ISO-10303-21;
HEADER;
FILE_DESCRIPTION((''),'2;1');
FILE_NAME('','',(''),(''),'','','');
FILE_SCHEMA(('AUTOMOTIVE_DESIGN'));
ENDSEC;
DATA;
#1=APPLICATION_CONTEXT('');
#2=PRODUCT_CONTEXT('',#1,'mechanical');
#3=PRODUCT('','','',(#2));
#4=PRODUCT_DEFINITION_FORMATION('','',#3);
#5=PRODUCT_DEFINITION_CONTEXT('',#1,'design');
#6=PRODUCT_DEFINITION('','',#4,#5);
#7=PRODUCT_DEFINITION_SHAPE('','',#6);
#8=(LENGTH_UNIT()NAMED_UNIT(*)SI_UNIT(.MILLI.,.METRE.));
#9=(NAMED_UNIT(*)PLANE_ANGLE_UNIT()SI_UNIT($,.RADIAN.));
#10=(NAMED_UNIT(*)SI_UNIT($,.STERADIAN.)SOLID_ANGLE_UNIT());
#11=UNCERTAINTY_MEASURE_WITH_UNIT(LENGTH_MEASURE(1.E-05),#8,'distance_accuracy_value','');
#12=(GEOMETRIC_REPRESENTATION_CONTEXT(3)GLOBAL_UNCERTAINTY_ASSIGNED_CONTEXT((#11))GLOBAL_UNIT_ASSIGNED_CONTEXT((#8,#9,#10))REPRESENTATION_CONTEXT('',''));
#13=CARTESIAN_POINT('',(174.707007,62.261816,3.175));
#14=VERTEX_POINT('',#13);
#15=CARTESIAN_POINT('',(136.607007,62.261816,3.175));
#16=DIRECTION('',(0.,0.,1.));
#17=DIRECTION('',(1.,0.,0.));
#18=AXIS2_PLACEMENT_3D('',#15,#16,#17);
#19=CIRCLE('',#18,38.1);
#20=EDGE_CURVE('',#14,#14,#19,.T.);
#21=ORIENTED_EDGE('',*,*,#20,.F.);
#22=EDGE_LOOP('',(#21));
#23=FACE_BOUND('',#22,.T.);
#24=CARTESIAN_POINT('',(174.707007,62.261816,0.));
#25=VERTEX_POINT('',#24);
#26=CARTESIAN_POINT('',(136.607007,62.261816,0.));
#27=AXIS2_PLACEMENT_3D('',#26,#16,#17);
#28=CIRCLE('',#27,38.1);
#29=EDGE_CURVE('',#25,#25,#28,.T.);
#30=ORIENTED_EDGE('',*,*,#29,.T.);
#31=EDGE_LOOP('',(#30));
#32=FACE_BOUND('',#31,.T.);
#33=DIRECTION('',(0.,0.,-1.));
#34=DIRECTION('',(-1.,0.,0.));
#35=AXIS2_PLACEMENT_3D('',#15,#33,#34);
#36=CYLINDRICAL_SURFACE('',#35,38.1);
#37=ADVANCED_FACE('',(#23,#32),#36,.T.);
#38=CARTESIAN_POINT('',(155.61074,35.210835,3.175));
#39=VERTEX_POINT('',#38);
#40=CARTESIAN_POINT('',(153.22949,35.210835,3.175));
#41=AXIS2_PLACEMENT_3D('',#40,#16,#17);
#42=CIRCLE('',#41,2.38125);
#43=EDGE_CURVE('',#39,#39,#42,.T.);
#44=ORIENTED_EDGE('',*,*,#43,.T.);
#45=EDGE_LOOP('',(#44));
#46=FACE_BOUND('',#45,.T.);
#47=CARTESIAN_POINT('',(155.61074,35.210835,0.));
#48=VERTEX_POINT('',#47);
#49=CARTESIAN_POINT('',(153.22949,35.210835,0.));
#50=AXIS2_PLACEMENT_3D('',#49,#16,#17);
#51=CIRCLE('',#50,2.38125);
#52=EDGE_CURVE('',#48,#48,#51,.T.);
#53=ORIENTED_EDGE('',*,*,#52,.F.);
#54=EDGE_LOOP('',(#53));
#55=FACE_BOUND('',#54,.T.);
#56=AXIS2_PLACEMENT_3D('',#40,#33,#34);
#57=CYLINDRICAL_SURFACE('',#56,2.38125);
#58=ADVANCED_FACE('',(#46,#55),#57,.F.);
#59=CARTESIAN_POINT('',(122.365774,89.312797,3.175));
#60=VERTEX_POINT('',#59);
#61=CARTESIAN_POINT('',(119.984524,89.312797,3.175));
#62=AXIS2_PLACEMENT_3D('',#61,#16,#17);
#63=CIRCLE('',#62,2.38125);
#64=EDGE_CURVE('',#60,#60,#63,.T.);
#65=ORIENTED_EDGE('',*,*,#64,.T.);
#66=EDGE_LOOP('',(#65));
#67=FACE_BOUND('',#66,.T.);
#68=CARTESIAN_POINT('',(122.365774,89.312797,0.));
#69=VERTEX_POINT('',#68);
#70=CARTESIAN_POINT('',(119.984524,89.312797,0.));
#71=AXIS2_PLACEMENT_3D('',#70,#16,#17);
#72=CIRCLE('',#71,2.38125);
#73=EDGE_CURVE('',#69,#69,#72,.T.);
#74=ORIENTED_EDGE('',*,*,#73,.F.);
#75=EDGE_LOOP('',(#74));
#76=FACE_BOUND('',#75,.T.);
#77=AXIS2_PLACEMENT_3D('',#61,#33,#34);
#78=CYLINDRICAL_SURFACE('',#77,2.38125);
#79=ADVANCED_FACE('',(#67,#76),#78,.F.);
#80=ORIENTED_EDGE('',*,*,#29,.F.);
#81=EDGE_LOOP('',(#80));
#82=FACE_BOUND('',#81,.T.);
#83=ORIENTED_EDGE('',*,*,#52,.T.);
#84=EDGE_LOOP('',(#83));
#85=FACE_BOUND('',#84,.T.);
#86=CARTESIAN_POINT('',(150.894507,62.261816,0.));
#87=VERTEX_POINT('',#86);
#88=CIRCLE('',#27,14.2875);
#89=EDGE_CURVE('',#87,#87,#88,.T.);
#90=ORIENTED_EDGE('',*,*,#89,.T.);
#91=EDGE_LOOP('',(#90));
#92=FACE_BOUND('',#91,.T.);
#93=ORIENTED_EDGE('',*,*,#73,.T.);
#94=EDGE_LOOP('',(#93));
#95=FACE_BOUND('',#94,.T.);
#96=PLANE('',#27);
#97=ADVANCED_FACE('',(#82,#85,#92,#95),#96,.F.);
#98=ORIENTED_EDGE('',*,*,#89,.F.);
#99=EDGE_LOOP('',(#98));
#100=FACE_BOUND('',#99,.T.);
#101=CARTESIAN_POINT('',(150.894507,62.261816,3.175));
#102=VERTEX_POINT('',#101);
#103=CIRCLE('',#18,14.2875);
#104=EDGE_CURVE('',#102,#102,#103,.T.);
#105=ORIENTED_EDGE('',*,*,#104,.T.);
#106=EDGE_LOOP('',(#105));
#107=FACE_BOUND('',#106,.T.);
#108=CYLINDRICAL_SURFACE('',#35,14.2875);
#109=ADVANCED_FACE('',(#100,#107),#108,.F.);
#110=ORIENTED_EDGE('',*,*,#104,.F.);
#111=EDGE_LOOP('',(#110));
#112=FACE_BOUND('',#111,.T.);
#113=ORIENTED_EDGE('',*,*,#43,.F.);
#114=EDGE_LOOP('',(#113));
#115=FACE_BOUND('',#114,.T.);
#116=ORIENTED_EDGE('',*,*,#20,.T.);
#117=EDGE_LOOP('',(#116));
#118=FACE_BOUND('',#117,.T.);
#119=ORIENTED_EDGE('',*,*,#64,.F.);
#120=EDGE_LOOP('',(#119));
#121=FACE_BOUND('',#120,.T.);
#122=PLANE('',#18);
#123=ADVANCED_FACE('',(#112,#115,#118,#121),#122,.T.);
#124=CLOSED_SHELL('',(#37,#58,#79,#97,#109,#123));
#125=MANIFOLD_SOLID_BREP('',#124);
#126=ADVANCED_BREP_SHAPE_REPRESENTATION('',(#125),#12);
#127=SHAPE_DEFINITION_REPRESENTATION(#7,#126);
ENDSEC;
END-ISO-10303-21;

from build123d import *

# Parameters (mm, degrees)
SKETCH1_R           = 38.1
SKETCH1_R_2         = 14.2875
SKETCH1_R_3         = 2.38125
BOSS_EXTRUDE1_DEPTH = 3.175


with BuildPart() as part:
    # Sketch1 → Boss-Extrude1 (new body)
    with BuildSketch(Plane.XY):
        with Locations((136.607006946, 62.261815798)):
            Circle(SKETCH1_R)
        with Locations((136.607006946, 62.261815798)):
            Circle(SKETCH1_R_2, mode=Mode.SUBTRACT)
        with Locations((153.229489525, 35.2108348)):
            Circle(SKETCH1_R_3, mode=Mode.SUBTRACT)
        with Locations((119.984524367, 89.312796795)):
            Circle(SKETCH1_R_3, mode=Mode.SUBTRACT)
    extrude(amount=BOSS_EXTRUDE1_DEPTH)


solid = part.part
